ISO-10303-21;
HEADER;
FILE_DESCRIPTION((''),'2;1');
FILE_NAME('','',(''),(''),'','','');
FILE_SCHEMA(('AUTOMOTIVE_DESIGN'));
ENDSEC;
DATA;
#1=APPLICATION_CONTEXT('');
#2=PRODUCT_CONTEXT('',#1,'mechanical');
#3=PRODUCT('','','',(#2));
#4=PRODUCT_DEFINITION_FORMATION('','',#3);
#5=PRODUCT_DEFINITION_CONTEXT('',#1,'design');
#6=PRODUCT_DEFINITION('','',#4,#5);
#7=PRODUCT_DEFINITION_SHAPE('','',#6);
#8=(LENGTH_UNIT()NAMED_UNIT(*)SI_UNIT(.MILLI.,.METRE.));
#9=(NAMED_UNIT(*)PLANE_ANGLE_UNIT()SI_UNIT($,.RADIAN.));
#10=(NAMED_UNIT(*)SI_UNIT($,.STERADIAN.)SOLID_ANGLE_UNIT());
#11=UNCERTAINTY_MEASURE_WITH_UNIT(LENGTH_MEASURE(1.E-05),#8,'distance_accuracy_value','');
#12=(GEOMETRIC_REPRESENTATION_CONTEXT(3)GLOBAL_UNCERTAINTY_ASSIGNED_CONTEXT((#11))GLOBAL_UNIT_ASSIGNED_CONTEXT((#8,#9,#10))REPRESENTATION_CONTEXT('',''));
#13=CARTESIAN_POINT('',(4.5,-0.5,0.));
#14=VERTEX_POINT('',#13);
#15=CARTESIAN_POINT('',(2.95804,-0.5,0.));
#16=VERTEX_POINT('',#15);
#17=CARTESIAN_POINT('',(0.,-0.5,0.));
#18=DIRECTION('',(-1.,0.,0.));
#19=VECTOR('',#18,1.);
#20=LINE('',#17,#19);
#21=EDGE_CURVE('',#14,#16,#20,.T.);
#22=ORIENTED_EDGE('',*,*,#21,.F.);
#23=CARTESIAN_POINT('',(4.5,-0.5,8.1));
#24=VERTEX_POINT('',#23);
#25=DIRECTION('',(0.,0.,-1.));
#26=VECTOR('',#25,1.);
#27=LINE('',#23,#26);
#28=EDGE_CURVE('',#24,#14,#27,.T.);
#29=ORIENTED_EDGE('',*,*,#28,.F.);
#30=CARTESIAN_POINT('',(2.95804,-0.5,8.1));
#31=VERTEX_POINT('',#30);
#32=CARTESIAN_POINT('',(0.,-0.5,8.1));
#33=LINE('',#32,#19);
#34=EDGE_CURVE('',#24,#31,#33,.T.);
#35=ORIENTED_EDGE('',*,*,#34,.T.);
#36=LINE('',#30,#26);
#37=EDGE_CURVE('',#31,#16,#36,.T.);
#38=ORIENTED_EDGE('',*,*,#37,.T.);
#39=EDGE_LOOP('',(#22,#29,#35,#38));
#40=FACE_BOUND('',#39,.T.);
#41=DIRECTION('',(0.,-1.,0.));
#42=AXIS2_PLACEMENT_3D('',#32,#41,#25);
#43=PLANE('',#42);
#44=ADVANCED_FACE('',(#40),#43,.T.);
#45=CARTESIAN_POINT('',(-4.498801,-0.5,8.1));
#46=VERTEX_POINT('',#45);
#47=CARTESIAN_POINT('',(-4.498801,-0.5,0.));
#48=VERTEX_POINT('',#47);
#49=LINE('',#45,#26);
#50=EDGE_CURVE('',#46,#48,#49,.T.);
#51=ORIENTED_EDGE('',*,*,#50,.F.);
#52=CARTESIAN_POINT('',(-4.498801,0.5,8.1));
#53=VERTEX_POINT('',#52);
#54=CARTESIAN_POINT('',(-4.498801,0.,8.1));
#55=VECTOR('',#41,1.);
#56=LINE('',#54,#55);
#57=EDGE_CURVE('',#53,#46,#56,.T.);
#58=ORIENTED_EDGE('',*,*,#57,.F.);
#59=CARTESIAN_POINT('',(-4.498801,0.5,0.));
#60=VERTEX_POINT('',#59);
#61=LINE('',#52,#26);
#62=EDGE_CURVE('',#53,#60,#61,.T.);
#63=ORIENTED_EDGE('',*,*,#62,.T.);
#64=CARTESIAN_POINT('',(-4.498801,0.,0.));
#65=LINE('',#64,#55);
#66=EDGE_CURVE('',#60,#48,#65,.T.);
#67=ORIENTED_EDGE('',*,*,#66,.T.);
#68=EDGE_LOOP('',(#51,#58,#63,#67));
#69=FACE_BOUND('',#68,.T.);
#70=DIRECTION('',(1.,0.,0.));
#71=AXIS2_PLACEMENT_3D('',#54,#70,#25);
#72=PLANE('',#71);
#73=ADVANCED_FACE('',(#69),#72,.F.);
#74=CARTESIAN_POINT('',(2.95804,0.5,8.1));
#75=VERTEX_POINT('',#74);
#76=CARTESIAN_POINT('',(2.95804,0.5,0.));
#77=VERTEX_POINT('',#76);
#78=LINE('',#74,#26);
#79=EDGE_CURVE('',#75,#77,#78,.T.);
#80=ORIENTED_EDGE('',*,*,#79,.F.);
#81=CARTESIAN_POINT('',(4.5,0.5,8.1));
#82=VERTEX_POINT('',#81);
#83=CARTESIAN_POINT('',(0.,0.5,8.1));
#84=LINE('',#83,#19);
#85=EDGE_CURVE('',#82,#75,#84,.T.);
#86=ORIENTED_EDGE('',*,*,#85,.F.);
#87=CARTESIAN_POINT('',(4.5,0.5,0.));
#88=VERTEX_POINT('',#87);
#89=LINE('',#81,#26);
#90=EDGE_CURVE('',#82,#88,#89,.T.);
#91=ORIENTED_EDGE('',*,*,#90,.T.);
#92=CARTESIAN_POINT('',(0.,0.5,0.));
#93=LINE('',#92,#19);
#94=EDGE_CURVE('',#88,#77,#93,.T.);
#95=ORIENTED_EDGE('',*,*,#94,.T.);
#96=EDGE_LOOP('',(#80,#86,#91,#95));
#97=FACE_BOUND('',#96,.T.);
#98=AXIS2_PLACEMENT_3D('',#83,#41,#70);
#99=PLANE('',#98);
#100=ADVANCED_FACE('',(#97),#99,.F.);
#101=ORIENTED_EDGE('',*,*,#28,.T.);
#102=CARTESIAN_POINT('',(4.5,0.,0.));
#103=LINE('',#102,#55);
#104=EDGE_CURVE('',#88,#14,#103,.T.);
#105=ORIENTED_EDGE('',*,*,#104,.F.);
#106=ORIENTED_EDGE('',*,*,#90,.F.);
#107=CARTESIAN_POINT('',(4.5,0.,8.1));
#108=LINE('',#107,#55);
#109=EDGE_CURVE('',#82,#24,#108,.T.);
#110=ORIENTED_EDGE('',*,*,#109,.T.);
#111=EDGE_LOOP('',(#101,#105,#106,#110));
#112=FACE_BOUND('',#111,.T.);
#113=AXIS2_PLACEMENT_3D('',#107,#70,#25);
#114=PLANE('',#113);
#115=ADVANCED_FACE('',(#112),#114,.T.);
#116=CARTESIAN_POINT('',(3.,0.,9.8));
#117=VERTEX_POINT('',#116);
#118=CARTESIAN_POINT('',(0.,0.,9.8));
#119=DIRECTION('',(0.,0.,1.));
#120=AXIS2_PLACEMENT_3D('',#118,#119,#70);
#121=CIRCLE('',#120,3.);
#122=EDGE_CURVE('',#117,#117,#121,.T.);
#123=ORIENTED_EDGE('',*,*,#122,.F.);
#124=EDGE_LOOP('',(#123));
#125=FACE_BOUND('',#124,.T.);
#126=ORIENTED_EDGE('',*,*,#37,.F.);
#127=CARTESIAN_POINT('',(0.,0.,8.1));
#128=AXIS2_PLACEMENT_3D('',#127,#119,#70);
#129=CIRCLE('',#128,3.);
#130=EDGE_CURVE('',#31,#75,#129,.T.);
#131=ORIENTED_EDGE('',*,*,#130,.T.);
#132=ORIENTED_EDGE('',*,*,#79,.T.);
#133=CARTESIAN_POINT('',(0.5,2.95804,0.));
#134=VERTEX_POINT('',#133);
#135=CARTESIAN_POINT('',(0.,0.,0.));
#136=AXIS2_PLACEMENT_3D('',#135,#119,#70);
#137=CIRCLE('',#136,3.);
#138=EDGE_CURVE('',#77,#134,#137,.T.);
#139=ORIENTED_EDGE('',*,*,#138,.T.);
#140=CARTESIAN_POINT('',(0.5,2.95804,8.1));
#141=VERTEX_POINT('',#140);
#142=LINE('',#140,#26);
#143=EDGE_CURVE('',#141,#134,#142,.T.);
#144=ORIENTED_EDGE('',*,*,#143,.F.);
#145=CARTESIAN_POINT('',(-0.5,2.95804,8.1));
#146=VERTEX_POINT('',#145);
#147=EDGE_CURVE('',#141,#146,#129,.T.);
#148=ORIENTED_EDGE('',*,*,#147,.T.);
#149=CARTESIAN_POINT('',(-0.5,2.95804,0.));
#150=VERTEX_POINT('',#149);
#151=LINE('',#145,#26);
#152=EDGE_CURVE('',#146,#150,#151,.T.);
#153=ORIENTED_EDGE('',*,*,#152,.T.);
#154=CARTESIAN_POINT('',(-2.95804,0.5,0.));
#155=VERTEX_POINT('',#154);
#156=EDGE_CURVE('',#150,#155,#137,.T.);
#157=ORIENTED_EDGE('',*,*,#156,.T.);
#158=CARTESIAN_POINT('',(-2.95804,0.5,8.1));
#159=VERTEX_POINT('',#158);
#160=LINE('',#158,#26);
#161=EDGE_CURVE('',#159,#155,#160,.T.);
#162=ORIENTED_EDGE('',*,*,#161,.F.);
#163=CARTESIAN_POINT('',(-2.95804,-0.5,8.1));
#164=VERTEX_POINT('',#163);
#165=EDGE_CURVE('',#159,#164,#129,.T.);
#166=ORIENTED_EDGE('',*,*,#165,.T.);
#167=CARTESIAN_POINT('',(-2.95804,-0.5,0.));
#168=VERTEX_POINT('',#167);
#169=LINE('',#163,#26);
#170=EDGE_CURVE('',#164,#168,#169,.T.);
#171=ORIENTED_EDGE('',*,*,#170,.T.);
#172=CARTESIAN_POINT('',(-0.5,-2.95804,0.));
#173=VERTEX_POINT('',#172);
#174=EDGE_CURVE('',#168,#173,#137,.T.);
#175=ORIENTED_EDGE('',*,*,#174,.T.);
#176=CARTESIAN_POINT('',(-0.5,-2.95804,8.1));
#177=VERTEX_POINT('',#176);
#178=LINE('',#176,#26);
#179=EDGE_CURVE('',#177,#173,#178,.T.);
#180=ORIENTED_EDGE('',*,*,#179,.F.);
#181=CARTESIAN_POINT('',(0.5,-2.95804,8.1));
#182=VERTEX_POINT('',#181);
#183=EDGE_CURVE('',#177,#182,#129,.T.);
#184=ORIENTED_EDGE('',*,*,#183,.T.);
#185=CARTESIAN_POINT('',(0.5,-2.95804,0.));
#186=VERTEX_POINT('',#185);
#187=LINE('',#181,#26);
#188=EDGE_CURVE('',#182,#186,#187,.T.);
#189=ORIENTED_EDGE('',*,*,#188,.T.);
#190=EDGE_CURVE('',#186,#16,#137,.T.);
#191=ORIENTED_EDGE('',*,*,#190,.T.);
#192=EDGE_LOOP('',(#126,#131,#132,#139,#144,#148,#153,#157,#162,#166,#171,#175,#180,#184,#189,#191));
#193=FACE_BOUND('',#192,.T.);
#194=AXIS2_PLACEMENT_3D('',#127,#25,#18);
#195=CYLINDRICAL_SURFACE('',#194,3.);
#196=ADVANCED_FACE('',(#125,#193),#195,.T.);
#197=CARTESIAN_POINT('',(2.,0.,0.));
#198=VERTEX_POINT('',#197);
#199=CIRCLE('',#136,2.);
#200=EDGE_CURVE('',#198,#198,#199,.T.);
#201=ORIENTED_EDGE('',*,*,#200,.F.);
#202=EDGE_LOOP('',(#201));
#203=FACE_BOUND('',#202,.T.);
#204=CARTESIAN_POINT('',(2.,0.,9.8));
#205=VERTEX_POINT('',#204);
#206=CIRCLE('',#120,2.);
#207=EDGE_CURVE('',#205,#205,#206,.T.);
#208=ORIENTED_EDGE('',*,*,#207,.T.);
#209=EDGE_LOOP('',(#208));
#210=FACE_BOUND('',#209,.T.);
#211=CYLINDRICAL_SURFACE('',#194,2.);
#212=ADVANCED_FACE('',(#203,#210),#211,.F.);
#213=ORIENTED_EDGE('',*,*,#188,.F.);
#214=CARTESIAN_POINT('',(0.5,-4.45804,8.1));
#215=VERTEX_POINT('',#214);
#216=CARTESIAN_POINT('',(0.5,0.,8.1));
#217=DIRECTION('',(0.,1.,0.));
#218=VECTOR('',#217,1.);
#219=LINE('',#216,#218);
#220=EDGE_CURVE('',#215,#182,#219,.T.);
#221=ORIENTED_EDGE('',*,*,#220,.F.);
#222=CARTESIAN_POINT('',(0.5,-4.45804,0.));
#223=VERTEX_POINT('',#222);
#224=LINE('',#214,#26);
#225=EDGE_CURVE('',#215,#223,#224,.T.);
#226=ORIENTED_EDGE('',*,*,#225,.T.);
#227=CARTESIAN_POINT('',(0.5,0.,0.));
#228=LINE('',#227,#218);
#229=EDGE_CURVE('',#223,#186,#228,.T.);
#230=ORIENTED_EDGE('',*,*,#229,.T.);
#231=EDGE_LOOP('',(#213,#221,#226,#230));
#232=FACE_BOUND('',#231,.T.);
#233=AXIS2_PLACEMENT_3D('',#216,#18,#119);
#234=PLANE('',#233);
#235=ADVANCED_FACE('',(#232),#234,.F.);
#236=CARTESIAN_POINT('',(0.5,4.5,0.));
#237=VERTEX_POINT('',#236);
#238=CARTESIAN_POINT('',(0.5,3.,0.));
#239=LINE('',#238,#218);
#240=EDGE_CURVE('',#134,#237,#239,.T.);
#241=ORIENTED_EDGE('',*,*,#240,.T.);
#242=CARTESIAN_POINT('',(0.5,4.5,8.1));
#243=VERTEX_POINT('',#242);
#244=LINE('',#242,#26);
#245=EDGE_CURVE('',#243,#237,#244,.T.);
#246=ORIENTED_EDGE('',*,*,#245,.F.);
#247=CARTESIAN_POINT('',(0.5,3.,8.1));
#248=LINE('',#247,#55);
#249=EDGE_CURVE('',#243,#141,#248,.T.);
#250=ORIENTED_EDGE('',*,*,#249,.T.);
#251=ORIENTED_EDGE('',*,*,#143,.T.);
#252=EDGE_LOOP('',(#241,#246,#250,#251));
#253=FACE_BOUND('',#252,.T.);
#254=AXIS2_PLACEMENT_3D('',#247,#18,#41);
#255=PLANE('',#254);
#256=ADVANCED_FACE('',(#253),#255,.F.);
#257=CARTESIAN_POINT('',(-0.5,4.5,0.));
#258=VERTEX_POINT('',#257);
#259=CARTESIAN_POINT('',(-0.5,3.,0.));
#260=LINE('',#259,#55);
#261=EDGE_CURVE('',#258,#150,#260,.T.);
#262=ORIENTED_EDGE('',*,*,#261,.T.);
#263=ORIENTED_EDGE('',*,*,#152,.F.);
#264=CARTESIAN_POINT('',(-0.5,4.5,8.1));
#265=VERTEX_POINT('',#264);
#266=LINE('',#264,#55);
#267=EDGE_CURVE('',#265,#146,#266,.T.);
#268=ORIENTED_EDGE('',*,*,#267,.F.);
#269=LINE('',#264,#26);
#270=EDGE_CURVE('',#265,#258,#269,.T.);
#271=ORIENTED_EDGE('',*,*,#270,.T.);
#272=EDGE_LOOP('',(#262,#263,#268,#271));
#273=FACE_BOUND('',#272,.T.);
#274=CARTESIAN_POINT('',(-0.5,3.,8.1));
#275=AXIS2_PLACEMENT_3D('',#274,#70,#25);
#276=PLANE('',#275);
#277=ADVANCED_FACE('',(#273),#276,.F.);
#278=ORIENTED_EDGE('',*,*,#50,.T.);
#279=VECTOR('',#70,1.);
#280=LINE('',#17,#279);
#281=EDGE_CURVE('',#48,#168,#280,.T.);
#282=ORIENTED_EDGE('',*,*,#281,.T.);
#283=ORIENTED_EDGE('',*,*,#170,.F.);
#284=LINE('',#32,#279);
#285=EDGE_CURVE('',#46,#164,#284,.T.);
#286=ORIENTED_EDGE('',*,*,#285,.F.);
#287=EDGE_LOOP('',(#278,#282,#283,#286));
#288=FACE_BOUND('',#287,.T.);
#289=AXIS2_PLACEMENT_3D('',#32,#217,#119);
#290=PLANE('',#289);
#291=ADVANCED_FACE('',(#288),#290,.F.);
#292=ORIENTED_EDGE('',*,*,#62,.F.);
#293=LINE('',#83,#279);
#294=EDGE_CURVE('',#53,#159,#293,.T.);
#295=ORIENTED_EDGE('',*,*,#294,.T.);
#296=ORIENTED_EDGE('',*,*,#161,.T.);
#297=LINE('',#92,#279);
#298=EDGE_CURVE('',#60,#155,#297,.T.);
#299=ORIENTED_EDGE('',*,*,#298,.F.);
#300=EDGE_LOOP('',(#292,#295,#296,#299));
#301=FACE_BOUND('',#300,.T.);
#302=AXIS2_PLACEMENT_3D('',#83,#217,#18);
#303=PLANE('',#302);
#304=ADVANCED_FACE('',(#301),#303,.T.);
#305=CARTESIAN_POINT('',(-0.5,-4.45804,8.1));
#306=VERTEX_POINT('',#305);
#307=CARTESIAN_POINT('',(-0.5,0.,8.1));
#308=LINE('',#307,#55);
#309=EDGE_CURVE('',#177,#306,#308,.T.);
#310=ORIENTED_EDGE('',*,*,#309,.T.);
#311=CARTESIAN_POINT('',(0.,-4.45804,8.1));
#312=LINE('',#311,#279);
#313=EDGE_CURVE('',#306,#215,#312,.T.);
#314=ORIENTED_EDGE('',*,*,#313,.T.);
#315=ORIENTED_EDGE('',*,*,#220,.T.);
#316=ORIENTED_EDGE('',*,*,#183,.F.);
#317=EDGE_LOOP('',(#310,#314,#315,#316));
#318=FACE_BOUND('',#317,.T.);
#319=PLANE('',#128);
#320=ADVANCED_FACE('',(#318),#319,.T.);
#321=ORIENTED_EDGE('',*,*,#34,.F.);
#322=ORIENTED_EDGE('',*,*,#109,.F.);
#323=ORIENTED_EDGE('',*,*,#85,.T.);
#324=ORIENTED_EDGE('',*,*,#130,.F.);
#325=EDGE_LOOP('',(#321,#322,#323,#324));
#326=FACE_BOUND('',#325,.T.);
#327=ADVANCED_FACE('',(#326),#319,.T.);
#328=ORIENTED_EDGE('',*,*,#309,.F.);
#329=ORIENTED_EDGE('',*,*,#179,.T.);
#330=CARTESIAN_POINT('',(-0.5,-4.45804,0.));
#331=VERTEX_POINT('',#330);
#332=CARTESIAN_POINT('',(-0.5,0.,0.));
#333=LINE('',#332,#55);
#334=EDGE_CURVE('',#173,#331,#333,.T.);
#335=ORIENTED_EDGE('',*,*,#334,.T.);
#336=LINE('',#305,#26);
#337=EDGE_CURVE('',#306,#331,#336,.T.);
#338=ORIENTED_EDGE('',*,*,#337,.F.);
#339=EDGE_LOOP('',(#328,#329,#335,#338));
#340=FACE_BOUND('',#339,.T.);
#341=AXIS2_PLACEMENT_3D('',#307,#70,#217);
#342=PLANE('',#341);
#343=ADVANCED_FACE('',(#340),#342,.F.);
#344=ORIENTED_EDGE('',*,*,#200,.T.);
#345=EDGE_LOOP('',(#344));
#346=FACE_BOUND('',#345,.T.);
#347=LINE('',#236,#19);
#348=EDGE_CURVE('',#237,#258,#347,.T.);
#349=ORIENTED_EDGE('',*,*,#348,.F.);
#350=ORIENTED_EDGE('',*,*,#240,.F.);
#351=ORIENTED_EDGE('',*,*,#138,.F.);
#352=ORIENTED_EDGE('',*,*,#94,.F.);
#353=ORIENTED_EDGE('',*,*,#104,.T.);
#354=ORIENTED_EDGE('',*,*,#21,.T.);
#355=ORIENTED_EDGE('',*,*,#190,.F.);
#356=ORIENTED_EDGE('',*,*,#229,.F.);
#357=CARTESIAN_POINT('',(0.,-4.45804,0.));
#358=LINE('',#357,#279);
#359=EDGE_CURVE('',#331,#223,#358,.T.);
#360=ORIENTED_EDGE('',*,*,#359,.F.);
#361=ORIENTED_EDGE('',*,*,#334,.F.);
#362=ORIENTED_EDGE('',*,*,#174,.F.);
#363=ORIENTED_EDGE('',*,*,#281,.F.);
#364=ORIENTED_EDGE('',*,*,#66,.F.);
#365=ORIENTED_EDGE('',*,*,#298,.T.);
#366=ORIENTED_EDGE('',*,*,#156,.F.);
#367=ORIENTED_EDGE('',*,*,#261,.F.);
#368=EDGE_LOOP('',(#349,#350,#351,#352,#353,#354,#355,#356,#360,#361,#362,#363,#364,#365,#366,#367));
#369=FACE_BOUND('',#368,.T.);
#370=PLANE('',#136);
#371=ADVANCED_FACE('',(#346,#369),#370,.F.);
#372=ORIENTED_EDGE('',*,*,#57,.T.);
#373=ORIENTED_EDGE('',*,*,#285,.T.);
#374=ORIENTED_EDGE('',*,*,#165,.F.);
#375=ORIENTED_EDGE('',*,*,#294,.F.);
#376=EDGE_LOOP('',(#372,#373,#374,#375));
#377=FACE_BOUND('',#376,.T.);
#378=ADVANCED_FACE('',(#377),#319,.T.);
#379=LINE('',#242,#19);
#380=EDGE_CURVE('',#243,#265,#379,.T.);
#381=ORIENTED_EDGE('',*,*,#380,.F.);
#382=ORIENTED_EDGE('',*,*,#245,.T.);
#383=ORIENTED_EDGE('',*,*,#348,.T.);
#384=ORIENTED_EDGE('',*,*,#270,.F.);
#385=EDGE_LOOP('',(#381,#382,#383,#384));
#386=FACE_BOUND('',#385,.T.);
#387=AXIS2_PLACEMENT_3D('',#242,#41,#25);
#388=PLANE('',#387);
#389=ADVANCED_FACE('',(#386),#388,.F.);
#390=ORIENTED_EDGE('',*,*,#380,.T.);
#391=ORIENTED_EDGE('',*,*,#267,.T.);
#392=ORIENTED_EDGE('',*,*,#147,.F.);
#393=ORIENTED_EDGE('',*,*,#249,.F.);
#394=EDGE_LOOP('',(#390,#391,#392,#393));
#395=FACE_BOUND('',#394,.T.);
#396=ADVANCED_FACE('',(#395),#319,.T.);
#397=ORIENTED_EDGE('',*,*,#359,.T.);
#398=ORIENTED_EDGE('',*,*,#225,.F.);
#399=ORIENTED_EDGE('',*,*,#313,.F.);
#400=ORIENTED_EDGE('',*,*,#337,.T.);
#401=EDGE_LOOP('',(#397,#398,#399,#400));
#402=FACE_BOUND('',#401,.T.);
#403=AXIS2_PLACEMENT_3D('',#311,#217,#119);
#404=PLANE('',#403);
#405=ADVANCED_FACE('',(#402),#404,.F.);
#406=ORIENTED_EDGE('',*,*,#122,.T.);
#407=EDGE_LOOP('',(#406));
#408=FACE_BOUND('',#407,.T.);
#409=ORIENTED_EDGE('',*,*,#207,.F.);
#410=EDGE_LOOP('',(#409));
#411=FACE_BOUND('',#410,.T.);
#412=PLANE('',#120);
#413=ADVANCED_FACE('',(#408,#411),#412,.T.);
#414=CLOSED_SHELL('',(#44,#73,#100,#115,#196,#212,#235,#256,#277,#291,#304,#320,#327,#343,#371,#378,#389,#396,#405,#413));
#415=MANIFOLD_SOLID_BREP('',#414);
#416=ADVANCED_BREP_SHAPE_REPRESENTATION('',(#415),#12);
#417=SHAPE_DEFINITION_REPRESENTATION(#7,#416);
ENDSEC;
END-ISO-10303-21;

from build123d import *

# Parameters (mm, degrees)
ESBO_O1_R                = 3
ESBO_O1_R_2              = 2
RESSALTO_EXTRUS_O1_DEPTH = 8.1
RESSALTO_EXTRUS_O2_DEPTH = 8.1
RESSALTO_EXTRUS_O3_DEPTH = 8.1
RESSALTO_EXTRUS_O4_START = -8.1
ESBO_O6_R                = 2
RESSALTO_EXTRUS_O4_DEPTH = 8.1
ESBO_O7_R                = 3
ESBO_O7_R_2              = 2
RESSALTO_EXTRUS_O5_DEPTH = 1.7


with BuildPart() as part:
    # Esboço1 → Ressalto-extrusão1 (new body)
    with BuildSketch(Plane.XY):
        Circle(ESBO_O1_R)
        Circle(ESBO_O1_R_2, mode=Mode.SUBTRACT)
    extrude(amount=RESSALTO_EXTRUS_O1_DEPTH)

    # Esboço2 → Ressalto-extrusão2 (add)
    with BuildSketch(Plane.XY):
        with BuildLine():
            Line((-2.958039892, 0.5), (-2.998801098, 0.5))
            Line((-2.998801098, 0.5), (-4.498801098, 0.5))
            Line((-4.498801098, 0.5), (-4.498801098, -0.5))
            Line((-4.498801098, -0.5), (-3, -0.5))
            Line((-3, -0.5), (-2.958039892, -0.5))
            ThreePointArc((-2.958039892, -0.5), (-2.989491568, -0.250878781), (-3, 0))
            ThreePointArc((-3, 0), (-2.989491568, 0.250878781), (-2.958039892, 0.5))
        make_face()
    extrude(amount=RESSALTO_EXTRUS_O2_DEPTH)

    # Esboço3 → Ressalto-extrusão3 (add)
    with BuildSketch(Plane(origin=(0, 0, 0), x_dir=(-1, 0, 0), z_dir=(0, 0, -1))):
        with BuildLine():
            ThreePointArc((0.5, -2.958039892), (0.250878781, -2.989491568), (0, -3))
            ThreePointArc((0, -3), (-0.250878781, -2.989491568), (-0.5, -2.958039892))
            Line((-0.5, -2.958039892), (-0.5, -4.458039892))
            Line((-0.5, -4.458039892), (0.5, -4.458039892))
            Line((0.5, -4.458039892), (0.5, -3))
            Line((0.5, -3), (0.5, -2.958039892))
        make_face()
        with BuildLine():
            ThreePointArc((-2.958039892, -0.5), (-2.989491568, -0.250878781), (-3, 0))
            ThreePointArc((-3, 0), (-2.989491568, 0.250878781), (-2.958039892, 0.5))
            Line((-2.958039892, 0.5), (-3, 0.5))
            Line((-3, 0.5), (-4.5, 0.5))
            Line((-4.5, 0.5), (-4.5, -0.5))
            Line((-4.5, -0.5), (-2.958039892, -0.5))
        make_face()
        with BuildLine():
            Line((0.5, 4.5), (0.5, 3))
            Line((0.5, 3), (0.5, 2.958039892))
            ThreePointArc((0.5, 2.958039892), (0, 3), (-0.5, 2.958039892))
            Line((-0.5, 2.958039892), (-0.5, 3))
            Line((-0.5, 3), (-0.5, 4.5))
            Line((-0.5, 4.5), (0.5, 4.5))
        make_face()
    extrude(amount=-RESSALTO_EXTRUS_O3_DEPTH)

    # Esboço6 → Ressalto-extrusão4 (add)
    # profile 1 of 5: a face of its own
    with BuildSketch(Plane.XY.offset(8.1).offset(RESSALTO_EXTRUS_O4_START)):
        with BuildLine():
            ThreePointArc((2.958039892, 0.5), (2.121320344, 2.121320344), (0.5, 2.958039892))
            ThreePointArc((0.5, 2.958039892), (0.00124461, 2.999999742), (-0.497545425, 2.958453743))
            ThreePointArc((-0.497545425, 2.958453743), (-0.498772755, 2.958247072), (-0.5, 2.958039892))
            ThreePointArc((-0.5, 2.958039892), (-2.121320344, 2.121320344), (-2.958039892, 0.5))
            ThreePointArc((-2.958039892, 0.5), (-3, 0), (-2.958039892, -0.5))
            ThreePointArc((-2.958039892, -0.5), (-2.121320344, -2.121320344), (-0.5, -2.958039892))
            ThreePointArc((-0.5, -2.958039892), (0, -3), (0.5, -2.958039892))
            ThreePointArc((0.5, -2.958039892), (2.121320344, -2.121320344), (2.958039892, -0.5))
            ThreePointArc((2.958039892, -0.5), (2.989491568, -0.250878781), (3, 0))
            ThreePointArc((3, 0), (2.989491568, 0.250878781), (2.958039892, 0.5))
        make_face()
        Circle(ESBO_O6_R, mode=Mode.SUBTRACT)
    # profile 2 of 5: a face of its own
    with BuildSketch(Plane.XY.offset(8.1).offset(RESSALTO_EXTRUS_O4_START)):
        with BuildLine():
            ThreePointArc((-0.497545425, 2.958453743), (0.00124461, 2.999999742), (0.5, 2.958039892))
            Line((0.5, 2.958039892), (0.5, 4.5))
            Line((0.5, 4.5), (-0.497545425, 4.5))
            Line((-0.497545425, 4.5), (-0.497545425, 2.958453743))
        make_face()
    # profile 3 of 5: a face of its own
    with BuildSketch(Plane.XY.offset(8.1).offset(RESSALTO_EXTRUS_O4_START)):
        with BuildLine():
            Line((4.5, 0.5), (2.958039892, 0.5))
            ThreePointArc((2.958039892, 0.5), (2.989491568, 0.250878781), (3, 0))
            ThreePointArc((3, 0), (2.989491568, -0.250878781), (2.958039892, -0.5))
            Line((2.958039892, -0.5), (4.5, -0.5))
            Line((4.5, -0.5), (4.5, 0.5))
        make_face()
    # profile 4 of 5: a face of its own
    with BuildSketch(Plane.XY.offset(8.1).offset(RESSALTO_EXTRUS_O4_START)):
        with BuildLine():
            Line((0.5, -4.458039892), (0.5, -2.958039892))
            ThreePointArc((0.5, -2.958039892), (0, -3), (-0.5, -2.958039892))
            Line((-0.5, -2.958039892), (-0.5, -4.458039892))
            Line((-0.5, -4.458039892), (0.5, -4.458039892))
        make_face()
    # profile 5 of 5: a face of its own
    with BuildSketch(Plane.XY.offset(8.1).offset(RESSALTO_EXTRUS_O4_START)):
        with BuildLine():
            ThreePointArc((-2.958039892, -0.5), (-3, 0), (-2.958039892, 0.5))
            Line((-2.958039892, 0.5), (-4.498801098, 0.5))
            Line((-4.498801098, 0.5), (-4.498801098, -0.5))
            Line((-4.498801098, -0.5), (-2.958039892, -0.5))
        make_face()
    extrude(amount=RESSALTO_EXTRUS_O4_DEPTH)

    # Esboço7 → Ressalto-extrusão5 (add)
    with BuildSketch(Plane.XY.offset(8.1)):
        with Locations(Location((0, 0, 0), (0, 0, 170.405931773))):
            Circle(ESBO_O7_R)
        Circle(ESBO_O7_R_2, mode=Mode.SUBTRACT)
    extrude(amount=RESSALTO_EXTRUS_O5_DEPTH)


solid = part.part
